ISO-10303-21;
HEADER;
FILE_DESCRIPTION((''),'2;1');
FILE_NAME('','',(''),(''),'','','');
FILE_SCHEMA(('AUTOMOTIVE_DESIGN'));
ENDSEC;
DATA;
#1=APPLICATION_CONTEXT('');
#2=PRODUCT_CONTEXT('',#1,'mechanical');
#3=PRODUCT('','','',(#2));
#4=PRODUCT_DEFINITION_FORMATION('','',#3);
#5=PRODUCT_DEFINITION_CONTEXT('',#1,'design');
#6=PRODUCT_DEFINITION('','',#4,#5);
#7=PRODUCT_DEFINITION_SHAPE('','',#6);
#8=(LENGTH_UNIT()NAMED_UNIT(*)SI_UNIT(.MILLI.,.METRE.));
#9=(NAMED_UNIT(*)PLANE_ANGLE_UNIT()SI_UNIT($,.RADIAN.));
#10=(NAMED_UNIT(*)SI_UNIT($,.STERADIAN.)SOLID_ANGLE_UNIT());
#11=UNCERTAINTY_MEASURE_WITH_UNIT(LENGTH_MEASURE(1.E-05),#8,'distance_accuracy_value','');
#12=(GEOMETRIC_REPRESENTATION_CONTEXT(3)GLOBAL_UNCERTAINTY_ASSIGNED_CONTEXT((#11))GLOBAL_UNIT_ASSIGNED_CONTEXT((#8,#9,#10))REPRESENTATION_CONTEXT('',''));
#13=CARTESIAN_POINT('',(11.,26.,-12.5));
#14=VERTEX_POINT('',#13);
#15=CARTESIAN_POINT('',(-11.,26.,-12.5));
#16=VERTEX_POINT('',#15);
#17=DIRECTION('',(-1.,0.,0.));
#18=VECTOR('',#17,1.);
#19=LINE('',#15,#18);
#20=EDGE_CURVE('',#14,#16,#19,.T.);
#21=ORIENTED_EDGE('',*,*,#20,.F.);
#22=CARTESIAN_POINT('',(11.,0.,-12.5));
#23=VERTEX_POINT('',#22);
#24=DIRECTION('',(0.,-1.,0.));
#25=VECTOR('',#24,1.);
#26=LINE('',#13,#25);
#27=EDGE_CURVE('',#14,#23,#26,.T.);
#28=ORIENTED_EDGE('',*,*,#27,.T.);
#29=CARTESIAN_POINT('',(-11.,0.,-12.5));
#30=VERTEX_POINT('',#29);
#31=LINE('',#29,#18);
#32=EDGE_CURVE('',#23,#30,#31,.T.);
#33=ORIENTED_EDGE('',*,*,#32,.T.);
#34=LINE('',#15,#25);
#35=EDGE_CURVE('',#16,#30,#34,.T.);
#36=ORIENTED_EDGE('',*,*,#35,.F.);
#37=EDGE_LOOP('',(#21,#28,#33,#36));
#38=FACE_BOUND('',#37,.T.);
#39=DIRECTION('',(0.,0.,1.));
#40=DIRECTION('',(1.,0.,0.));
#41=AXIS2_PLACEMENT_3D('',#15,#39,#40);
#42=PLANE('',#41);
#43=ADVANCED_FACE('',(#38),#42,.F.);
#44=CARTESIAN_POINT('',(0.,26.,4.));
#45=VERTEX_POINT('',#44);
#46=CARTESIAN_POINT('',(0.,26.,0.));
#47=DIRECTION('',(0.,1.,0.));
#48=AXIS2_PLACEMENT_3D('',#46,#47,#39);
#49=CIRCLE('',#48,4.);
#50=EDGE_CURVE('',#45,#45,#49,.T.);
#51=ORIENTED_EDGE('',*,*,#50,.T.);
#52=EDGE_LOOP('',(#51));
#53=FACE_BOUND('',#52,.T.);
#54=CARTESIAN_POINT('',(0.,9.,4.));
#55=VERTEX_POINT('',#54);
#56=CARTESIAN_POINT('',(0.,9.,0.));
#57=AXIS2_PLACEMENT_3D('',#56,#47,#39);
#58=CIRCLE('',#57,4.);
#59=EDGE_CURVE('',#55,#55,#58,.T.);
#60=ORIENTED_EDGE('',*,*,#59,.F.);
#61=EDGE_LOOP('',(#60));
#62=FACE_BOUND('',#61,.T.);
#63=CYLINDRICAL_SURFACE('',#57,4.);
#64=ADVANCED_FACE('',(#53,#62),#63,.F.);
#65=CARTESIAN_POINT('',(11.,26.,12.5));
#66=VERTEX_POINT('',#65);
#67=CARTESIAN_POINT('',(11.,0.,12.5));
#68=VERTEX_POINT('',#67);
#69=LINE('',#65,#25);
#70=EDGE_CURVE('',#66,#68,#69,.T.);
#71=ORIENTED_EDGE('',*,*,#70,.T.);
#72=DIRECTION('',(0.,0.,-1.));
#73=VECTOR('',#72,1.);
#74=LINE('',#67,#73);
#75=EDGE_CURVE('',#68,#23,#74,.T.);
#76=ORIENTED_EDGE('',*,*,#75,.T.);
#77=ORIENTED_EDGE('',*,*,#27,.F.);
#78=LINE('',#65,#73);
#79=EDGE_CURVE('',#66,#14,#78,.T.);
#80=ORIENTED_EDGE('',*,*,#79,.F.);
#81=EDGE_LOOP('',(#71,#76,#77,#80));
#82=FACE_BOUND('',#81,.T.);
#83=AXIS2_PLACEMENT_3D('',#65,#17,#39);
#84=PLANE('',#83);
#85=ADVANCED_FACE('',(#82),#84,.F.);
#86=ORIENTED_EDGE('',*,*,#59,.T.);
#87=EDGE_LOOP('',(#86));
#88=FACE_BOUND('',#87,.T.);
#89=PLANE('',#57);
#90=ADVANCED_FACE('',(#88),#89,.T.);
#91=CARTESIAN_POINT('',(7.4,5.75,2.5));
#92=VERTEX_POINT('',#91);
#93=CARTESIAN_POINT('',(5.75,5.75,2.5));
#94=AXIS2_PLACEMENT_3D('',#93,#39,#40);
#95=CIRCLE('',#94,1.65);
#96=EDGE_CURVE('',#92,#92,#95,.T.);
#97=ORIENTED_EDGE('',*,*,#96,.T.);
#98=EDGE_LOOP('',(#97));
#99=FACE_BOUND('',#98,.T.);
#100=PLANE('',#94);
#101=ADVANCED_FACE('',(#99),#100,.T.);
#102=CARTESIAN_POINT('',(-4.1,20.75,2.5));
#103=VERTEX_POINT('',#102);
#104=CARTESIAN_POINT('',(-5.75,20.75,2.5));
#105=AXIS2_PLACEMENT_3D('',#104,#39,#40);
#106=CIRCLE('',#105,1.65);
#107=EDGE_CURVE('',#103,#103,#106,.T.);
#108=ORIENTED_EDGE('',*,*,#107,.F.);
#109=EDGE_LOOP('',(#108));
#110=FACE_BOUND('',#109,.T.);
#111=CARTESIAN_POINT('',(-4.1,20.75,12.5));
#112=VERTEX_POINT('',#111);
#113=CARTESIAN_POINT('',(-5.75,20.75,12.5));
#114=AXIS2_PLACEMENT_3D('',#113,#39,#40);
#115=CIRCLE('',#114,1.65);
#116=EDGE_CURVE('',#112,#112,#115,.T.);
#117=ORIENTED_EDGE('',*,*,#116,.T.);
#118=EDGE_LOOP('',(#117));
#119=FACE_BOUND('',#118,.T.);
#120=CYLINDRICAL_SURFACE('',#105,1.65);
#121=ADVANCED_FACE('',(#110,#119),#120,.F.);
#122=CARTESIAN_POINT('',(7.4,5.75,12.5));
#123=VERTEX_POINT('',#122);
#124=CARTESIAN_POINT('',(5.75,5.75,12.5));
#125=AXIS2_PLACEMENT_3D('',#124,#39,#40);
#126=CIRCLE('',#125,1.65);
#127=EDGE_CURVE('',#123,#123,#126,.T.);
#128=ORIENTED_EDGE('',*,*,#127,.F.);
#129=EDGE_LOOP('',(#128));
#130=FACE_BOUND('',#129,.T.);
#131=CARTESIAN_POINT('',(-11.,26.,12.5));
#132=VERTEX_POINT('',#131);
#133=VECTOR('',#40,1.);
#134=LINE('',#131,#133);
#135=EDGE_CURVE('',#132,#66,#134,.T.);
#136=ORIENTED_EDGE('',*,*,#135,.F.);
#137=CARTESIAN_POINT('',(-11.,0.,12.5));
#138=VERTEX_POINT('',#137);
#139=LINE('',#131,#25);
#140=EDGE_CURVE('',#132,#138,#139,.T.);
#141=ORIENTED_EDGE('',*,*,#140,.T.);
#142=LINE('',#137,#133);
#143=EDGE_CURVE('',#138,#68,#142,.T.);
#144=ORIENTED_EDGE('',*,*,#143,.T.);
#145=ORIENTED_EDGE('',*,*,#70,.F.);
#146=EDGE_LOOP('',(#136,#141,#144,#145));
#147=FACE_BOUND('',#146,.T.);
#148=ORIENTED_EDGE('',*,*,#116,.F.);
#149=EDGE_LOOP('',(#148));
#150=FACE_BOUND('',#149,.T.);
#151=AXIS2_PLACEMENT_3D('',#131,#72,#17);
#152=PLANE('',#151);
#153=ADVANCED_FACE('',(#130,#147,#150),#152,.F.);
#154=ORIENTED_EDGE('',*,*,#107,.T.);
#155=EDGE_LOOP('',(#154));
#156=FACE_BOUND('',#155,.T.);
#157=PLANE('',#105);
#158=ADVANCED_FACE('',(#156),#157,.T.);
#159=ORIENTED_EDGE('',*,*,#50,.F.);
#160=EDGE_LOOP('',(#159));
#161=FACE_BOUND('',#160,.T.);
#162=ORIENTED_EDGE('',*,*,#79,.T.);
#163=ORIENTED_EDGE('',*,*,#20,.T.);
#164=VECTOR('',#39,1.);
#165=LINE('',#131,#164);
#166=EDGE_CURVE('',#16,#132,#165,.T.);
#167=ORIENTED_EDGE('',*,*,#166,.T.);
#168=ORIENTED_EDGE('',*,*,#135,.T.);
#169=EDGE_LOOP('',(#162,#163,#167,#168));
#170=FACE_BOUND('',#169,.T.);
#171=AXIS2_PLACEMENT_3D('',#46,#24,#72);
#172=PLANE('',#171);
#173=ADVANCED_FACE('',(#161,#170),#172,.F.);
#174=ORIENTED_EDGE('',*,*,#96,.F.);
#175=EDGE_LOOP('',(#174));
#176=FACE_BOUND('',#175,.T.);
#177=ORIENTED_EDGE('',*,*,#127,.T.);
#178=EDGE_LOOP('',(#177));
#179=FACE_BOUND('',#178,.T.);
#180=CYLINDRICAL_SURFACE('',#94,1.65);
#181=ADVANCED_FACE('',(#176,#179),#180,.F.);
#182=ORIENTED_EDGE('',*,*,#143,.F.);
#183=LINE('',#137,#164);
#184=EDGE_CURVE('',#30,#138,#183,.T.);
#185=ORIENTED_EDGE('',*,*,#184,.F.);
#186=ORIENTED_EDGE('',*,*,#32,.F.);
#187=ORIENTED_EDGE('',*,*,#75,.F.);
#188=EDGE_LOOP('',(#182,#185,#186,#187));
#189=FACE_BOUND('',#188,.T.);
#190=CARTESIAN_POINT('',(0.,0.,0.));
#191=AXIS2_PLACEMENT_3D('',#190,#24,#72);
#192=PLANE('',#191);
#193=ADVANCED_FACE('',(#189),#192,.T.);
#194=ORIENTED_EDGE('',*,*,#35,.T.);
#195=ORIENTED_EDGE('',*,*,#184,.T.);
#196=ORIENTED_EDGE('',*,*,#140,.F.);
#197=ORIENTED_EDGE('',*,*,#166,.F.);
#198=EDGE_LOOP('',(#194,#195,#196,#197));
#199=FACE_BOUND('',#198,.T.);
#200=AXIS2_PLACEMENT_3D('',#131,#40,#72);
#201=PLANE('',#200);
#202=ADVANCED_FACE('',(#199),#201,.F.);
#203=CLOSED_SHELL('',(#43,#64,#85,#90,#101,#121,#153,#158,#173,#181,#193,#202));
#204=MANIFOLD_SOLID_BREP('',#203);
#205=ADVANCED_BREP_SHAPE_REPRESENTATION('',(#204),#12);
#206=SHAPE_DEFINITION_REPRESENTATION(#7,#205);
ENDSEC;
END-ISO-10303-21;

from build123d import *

# Parameters (mm, degrees)
SKETCH1_W           = 22
SKETCH1_H           = 25
BOSS_EXTRUDE1_DEPTH = 26
SKETCH2_R           = 4
CUT_EXTRUDE2_DEPTH  = 17
SKETCH3_R           = 1.65
CUT_EXTRUDE3_DEPTH  = 10


with BuildPart() as part:
    # Sketch1 → Boss-Extrude1 (new body)
    with BuildSketch(Plane(origin=(0, 0, 0), x_dir=(1, 0, 0), z_dir=(0, 1, 0))):
        Rectangle(SKETCH1_W, SKETCH1_H)
    extrude(amount=BOSS_EXTRUDE1_DEPTH)

    # Sketch2 → Cut-Extrude2 (cut)
    with BuildSketch(Plane(origin=(0, 26, 0), x_dir=(1, 0, 0), z_dir=(0, 1, 0))):
        with Locations(Location((0, 0, 0), (0, 0, 270))):
            Circle(SKETCH2_R)
    extrude(amount=-CUT_EXTRUDE2_DEPTH, mode=Mode.SUBTRACT)

    # Sketch3 → Cut-Extrude3 (cut)
    with BuildSketch(Plane.XY.offset(12.5)):
        with Locations((-5.75, 20.75)):
            Circle(SKETCH3_R)
        with Locations((5.75, 5.75)):
            Circle(SKETCH3_R)
    extrude(amount=-CUT_EXTRUDE3_DEPTH, mode=Mode.SUBTRACT)


solid = part.part
